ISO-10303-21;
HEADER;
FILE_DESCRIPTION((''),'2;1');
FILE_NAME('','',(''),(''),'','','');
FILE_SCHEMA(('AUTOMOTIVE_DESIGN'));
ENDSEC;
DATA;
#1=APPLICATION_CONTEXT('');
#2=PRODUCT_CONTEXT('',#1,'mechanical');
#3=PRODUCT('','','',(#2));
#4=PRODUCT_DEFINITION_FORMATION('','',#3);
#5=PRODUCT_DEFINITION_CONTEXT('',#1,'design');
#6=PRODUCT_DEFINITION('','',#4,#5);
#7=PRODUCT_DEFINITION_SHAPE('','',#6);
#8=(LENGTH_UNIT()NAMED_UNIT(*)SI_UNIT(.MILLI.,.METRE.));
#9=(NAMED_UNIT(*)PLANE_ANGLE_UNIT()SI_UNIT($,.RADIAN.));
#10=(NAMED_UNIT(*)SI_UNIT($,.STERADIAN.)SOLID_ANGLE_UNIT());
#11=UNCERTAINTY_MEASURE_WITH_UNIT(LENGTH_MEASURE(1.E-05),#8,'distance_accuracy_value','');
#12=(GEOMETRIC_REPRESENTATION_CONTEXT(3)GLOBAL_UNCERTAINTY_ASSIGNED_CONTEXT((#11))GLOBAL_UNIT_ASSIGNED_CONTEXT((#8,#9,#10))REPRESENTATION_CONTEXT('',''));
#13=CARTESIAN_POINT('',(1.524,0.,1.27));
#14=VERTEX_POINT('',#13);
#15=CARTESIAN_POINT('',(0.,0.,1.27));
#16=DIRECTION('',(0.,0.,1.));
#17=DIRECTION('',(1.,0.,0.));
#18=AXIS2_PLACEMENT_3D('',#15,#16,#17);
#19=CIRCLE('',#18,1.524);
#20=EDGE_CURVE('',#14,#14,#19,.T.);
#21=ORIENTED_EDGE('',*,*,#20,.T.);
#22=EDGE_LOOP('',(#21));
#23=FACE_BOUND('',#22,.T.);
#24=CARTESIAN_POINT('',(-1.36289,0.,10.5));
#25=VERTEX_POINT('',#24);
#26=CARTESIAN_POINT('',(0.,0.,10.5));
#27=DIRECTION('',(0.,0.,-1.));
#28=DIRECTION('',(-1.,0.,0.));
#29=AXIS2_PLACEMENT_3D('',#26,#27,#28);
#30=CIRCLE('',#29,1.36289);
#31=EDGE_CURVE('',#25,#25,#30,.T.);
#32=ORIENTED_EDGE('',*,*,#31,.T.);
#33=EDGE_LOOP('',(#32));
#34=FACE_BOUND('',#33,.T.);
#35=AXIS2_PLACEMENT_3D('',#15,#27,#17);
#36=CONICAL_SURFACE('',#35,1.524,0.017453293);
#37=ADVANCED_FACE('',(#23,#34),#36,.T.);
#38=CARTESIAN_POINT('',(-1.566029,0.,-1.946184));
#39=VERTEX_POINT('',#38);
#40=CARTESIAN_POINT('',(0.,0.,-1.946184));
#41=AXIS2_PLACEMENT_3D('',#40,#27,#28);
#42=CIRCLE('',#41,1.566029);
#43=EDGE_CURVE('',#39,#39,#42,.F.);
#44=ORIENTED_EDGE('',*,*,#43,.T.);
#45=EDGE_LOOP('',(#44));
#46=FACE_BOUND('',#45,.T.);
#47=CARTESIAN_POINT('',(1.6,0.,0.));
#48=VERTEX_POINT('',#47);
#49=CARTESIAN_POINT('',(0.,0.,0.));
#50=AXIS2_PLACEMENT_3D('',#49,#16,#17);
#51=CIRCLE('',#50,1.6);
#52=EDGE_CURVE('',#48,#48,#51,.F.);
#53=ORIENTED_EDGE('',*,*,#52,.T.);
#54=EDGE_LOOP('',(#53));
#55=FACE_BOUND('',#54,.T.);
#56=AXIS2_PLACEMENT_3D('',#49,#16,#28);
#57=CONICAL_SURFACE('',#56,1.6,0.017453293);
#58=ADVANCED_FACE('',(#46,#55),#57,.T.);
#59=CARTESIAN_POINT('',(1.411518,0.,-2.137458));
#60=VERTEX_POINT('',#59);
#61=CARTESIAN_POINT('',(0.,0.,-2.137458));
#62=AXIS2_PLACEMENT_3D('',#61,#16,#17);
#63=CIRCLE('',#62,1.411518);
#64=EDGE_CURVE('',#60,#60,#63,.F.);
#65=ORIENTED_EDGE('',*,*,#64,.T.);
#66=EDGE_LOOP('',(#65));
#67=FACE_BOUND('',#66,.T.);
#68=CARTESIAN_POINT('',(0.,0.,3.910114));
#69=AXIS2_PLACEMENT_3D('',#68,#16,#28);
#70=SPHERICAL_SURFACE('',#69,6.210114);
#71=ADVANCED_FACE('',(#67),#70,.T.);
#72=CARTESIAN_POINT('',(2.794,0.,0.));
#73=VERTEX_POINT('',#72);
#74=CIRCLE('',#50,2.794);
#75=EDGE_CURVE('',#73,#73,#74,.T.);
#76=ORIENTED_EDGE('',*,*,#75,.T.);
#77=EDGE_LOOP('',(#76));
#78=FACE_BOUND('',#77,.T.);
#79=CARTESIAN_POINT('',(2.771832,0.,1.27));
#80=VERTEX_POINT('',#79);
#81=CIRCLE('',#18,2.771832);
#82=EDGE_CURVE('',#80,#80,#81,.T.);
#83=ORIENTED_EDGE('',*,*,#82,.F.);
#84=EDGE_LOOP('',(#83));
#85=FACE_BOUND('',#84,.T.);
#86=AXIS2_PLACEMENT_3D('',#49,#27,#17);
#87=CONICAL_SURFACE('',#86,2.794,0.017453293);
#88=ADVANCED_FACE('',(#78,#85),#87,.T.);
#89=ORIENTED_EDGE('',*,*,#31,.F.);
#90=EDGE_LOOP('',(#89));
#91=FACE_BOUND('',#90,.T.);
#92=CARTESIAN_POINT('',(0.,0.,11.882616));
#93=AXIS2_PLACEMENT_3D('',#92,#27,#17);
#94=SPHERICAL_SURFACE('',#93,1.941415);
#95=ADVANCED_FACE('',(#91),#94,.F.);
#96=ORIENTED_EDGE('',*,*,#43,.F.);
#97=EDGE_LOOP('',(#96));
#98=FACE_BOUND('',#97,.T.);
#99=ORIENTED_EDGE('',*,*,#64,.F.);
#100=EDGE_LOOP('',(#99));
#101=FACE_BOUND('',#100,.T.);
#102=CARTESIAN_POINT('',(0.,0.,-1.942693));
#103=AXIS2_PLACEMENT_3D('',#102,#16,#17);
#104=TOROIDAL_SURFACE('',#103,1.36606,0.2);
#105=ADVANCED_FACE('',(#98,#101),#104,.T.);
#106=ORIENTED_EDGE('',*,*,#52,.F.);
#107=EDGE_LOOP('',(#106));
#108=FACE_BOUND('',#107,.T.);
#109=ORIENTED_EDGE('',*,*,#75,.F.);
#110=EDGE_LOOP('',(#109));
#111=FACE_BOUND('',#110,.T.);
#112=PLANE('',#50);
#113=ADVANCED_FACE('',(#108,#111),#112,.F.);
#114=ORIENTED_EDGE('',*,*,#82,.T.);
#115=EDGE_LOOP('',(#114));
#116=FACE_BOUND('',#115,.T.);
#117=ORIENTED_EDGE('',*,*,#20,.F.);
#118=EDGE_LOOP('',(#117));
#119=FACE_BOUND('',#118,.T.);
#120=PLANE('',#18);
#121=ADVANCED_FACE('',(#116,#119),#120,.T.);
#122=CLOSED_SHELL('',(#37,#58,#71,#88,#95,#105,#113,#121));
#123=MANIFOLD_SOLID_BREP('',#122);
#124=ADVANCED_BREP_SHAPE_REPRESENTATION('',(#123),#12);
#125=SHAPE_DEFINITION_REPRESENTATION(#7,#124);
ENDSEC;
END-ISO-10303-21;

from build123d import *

# Parameters (mm, degrees)
SKETCH1_R           = 2.794
BOSS_EXTRUDE1_DEPTH = 1.27
BOSS_EXTRUDE1_TAPER = 1
SKETCH2_R           = 1.524
BOSS_EXTRUDE2_DEPTH = 9.23000005
BOSS_EXTRUDE2_TAPER = 1
SKETCH3_R           = 1.6
BOSS_EXTRUDE3_DEPTH = 2.1
BOSS_EXTRUDE3_TAPER = 1
FILLET1_R           = 0.2


with BuildPart() as part:
    # Sketch1 → Boss-Extrude1 (new body)
    with BuildSketch(Plane.XY):
        Circle(SKETCH1_R)
    extrude(amount=BOSS_EXTRUDE1_DEPTH, taper=BOSS_EXTRUDE1_TAPER)

    # Sketch2 → Boss-Extrude2 (add)
    with BuildSketch(Plane.XY.offset(1.27)):
        Circle(SKETCH2_R)
    extrude(amount=BOSS_EXTRUDE2_DEPTH, taper=BOSS_EXTRUDE2_TAPER)

    # Sketch3 → Boss-Extrude3 (add)
    with BuildSketch(Plane(origin=(0, 0, 0), x_dir=(-1, 0, 0), z_dir=(0, 0, -1))):
        Circle(SKETCH3_R)
    extrude(amount=BOSS_EXTRUDE3_DEPTH, taper=BOSS_EXTRUDE3_TAPER)

    # Sketch5 → Cut-Revolve4 (revolve, cut)
    with BuildSketch(Plane(origin=(0, 0, 0), x_dir=(1, 0, 0), z_dir=(0, 1, 0))):
        with BuildLine():
            Line((0, -10.50000005), (0, -9.94120005))
            ThreePointArc((0, -9.94120005), (0.736499476, -10.086324189), (1.36288975, -10.50000005))
            Line((1.36288975, -10.50000005), (1.36288975, -10.823922581))
            Line((1.36288975, -10.823922581), (0, -10.823922581))
            Line((0, -10.823922581), (0, -10.50000005))
        make_face()
    revolve(axis=Axis((0, 0, 1.27), (0, 0, 1)), mode=Mode.SUBTRACT)

    # Sketch6 → Revolve1 (revolve)
    with BuildSketch(Plane(origin=(0, 0, 0), x_dir=(1, 0, 0), z_dir=(0, 1, 0))):
        with BuildLine():
            Line((0, 2.3), (0, 2.1))
            Line((0, 2.1), (-1.563344364, 2.1))
            ThreePointArc((-1.563344364, 2.1), (-0.788042765, 2.249797078), (0, 2.3))
        make_face()
    revolve(axis=Axis((0, 0, -2.1), (0, 0, -1)))

    # Fillet1
    fillet1_edges = [part.edges().sort_by_distance(p)[0] for p in [
        (1.563344364, 0, -2.1),
    ]]
    fillet(fillet1_edges, radius=FILLET1_R)


solid = part.part
